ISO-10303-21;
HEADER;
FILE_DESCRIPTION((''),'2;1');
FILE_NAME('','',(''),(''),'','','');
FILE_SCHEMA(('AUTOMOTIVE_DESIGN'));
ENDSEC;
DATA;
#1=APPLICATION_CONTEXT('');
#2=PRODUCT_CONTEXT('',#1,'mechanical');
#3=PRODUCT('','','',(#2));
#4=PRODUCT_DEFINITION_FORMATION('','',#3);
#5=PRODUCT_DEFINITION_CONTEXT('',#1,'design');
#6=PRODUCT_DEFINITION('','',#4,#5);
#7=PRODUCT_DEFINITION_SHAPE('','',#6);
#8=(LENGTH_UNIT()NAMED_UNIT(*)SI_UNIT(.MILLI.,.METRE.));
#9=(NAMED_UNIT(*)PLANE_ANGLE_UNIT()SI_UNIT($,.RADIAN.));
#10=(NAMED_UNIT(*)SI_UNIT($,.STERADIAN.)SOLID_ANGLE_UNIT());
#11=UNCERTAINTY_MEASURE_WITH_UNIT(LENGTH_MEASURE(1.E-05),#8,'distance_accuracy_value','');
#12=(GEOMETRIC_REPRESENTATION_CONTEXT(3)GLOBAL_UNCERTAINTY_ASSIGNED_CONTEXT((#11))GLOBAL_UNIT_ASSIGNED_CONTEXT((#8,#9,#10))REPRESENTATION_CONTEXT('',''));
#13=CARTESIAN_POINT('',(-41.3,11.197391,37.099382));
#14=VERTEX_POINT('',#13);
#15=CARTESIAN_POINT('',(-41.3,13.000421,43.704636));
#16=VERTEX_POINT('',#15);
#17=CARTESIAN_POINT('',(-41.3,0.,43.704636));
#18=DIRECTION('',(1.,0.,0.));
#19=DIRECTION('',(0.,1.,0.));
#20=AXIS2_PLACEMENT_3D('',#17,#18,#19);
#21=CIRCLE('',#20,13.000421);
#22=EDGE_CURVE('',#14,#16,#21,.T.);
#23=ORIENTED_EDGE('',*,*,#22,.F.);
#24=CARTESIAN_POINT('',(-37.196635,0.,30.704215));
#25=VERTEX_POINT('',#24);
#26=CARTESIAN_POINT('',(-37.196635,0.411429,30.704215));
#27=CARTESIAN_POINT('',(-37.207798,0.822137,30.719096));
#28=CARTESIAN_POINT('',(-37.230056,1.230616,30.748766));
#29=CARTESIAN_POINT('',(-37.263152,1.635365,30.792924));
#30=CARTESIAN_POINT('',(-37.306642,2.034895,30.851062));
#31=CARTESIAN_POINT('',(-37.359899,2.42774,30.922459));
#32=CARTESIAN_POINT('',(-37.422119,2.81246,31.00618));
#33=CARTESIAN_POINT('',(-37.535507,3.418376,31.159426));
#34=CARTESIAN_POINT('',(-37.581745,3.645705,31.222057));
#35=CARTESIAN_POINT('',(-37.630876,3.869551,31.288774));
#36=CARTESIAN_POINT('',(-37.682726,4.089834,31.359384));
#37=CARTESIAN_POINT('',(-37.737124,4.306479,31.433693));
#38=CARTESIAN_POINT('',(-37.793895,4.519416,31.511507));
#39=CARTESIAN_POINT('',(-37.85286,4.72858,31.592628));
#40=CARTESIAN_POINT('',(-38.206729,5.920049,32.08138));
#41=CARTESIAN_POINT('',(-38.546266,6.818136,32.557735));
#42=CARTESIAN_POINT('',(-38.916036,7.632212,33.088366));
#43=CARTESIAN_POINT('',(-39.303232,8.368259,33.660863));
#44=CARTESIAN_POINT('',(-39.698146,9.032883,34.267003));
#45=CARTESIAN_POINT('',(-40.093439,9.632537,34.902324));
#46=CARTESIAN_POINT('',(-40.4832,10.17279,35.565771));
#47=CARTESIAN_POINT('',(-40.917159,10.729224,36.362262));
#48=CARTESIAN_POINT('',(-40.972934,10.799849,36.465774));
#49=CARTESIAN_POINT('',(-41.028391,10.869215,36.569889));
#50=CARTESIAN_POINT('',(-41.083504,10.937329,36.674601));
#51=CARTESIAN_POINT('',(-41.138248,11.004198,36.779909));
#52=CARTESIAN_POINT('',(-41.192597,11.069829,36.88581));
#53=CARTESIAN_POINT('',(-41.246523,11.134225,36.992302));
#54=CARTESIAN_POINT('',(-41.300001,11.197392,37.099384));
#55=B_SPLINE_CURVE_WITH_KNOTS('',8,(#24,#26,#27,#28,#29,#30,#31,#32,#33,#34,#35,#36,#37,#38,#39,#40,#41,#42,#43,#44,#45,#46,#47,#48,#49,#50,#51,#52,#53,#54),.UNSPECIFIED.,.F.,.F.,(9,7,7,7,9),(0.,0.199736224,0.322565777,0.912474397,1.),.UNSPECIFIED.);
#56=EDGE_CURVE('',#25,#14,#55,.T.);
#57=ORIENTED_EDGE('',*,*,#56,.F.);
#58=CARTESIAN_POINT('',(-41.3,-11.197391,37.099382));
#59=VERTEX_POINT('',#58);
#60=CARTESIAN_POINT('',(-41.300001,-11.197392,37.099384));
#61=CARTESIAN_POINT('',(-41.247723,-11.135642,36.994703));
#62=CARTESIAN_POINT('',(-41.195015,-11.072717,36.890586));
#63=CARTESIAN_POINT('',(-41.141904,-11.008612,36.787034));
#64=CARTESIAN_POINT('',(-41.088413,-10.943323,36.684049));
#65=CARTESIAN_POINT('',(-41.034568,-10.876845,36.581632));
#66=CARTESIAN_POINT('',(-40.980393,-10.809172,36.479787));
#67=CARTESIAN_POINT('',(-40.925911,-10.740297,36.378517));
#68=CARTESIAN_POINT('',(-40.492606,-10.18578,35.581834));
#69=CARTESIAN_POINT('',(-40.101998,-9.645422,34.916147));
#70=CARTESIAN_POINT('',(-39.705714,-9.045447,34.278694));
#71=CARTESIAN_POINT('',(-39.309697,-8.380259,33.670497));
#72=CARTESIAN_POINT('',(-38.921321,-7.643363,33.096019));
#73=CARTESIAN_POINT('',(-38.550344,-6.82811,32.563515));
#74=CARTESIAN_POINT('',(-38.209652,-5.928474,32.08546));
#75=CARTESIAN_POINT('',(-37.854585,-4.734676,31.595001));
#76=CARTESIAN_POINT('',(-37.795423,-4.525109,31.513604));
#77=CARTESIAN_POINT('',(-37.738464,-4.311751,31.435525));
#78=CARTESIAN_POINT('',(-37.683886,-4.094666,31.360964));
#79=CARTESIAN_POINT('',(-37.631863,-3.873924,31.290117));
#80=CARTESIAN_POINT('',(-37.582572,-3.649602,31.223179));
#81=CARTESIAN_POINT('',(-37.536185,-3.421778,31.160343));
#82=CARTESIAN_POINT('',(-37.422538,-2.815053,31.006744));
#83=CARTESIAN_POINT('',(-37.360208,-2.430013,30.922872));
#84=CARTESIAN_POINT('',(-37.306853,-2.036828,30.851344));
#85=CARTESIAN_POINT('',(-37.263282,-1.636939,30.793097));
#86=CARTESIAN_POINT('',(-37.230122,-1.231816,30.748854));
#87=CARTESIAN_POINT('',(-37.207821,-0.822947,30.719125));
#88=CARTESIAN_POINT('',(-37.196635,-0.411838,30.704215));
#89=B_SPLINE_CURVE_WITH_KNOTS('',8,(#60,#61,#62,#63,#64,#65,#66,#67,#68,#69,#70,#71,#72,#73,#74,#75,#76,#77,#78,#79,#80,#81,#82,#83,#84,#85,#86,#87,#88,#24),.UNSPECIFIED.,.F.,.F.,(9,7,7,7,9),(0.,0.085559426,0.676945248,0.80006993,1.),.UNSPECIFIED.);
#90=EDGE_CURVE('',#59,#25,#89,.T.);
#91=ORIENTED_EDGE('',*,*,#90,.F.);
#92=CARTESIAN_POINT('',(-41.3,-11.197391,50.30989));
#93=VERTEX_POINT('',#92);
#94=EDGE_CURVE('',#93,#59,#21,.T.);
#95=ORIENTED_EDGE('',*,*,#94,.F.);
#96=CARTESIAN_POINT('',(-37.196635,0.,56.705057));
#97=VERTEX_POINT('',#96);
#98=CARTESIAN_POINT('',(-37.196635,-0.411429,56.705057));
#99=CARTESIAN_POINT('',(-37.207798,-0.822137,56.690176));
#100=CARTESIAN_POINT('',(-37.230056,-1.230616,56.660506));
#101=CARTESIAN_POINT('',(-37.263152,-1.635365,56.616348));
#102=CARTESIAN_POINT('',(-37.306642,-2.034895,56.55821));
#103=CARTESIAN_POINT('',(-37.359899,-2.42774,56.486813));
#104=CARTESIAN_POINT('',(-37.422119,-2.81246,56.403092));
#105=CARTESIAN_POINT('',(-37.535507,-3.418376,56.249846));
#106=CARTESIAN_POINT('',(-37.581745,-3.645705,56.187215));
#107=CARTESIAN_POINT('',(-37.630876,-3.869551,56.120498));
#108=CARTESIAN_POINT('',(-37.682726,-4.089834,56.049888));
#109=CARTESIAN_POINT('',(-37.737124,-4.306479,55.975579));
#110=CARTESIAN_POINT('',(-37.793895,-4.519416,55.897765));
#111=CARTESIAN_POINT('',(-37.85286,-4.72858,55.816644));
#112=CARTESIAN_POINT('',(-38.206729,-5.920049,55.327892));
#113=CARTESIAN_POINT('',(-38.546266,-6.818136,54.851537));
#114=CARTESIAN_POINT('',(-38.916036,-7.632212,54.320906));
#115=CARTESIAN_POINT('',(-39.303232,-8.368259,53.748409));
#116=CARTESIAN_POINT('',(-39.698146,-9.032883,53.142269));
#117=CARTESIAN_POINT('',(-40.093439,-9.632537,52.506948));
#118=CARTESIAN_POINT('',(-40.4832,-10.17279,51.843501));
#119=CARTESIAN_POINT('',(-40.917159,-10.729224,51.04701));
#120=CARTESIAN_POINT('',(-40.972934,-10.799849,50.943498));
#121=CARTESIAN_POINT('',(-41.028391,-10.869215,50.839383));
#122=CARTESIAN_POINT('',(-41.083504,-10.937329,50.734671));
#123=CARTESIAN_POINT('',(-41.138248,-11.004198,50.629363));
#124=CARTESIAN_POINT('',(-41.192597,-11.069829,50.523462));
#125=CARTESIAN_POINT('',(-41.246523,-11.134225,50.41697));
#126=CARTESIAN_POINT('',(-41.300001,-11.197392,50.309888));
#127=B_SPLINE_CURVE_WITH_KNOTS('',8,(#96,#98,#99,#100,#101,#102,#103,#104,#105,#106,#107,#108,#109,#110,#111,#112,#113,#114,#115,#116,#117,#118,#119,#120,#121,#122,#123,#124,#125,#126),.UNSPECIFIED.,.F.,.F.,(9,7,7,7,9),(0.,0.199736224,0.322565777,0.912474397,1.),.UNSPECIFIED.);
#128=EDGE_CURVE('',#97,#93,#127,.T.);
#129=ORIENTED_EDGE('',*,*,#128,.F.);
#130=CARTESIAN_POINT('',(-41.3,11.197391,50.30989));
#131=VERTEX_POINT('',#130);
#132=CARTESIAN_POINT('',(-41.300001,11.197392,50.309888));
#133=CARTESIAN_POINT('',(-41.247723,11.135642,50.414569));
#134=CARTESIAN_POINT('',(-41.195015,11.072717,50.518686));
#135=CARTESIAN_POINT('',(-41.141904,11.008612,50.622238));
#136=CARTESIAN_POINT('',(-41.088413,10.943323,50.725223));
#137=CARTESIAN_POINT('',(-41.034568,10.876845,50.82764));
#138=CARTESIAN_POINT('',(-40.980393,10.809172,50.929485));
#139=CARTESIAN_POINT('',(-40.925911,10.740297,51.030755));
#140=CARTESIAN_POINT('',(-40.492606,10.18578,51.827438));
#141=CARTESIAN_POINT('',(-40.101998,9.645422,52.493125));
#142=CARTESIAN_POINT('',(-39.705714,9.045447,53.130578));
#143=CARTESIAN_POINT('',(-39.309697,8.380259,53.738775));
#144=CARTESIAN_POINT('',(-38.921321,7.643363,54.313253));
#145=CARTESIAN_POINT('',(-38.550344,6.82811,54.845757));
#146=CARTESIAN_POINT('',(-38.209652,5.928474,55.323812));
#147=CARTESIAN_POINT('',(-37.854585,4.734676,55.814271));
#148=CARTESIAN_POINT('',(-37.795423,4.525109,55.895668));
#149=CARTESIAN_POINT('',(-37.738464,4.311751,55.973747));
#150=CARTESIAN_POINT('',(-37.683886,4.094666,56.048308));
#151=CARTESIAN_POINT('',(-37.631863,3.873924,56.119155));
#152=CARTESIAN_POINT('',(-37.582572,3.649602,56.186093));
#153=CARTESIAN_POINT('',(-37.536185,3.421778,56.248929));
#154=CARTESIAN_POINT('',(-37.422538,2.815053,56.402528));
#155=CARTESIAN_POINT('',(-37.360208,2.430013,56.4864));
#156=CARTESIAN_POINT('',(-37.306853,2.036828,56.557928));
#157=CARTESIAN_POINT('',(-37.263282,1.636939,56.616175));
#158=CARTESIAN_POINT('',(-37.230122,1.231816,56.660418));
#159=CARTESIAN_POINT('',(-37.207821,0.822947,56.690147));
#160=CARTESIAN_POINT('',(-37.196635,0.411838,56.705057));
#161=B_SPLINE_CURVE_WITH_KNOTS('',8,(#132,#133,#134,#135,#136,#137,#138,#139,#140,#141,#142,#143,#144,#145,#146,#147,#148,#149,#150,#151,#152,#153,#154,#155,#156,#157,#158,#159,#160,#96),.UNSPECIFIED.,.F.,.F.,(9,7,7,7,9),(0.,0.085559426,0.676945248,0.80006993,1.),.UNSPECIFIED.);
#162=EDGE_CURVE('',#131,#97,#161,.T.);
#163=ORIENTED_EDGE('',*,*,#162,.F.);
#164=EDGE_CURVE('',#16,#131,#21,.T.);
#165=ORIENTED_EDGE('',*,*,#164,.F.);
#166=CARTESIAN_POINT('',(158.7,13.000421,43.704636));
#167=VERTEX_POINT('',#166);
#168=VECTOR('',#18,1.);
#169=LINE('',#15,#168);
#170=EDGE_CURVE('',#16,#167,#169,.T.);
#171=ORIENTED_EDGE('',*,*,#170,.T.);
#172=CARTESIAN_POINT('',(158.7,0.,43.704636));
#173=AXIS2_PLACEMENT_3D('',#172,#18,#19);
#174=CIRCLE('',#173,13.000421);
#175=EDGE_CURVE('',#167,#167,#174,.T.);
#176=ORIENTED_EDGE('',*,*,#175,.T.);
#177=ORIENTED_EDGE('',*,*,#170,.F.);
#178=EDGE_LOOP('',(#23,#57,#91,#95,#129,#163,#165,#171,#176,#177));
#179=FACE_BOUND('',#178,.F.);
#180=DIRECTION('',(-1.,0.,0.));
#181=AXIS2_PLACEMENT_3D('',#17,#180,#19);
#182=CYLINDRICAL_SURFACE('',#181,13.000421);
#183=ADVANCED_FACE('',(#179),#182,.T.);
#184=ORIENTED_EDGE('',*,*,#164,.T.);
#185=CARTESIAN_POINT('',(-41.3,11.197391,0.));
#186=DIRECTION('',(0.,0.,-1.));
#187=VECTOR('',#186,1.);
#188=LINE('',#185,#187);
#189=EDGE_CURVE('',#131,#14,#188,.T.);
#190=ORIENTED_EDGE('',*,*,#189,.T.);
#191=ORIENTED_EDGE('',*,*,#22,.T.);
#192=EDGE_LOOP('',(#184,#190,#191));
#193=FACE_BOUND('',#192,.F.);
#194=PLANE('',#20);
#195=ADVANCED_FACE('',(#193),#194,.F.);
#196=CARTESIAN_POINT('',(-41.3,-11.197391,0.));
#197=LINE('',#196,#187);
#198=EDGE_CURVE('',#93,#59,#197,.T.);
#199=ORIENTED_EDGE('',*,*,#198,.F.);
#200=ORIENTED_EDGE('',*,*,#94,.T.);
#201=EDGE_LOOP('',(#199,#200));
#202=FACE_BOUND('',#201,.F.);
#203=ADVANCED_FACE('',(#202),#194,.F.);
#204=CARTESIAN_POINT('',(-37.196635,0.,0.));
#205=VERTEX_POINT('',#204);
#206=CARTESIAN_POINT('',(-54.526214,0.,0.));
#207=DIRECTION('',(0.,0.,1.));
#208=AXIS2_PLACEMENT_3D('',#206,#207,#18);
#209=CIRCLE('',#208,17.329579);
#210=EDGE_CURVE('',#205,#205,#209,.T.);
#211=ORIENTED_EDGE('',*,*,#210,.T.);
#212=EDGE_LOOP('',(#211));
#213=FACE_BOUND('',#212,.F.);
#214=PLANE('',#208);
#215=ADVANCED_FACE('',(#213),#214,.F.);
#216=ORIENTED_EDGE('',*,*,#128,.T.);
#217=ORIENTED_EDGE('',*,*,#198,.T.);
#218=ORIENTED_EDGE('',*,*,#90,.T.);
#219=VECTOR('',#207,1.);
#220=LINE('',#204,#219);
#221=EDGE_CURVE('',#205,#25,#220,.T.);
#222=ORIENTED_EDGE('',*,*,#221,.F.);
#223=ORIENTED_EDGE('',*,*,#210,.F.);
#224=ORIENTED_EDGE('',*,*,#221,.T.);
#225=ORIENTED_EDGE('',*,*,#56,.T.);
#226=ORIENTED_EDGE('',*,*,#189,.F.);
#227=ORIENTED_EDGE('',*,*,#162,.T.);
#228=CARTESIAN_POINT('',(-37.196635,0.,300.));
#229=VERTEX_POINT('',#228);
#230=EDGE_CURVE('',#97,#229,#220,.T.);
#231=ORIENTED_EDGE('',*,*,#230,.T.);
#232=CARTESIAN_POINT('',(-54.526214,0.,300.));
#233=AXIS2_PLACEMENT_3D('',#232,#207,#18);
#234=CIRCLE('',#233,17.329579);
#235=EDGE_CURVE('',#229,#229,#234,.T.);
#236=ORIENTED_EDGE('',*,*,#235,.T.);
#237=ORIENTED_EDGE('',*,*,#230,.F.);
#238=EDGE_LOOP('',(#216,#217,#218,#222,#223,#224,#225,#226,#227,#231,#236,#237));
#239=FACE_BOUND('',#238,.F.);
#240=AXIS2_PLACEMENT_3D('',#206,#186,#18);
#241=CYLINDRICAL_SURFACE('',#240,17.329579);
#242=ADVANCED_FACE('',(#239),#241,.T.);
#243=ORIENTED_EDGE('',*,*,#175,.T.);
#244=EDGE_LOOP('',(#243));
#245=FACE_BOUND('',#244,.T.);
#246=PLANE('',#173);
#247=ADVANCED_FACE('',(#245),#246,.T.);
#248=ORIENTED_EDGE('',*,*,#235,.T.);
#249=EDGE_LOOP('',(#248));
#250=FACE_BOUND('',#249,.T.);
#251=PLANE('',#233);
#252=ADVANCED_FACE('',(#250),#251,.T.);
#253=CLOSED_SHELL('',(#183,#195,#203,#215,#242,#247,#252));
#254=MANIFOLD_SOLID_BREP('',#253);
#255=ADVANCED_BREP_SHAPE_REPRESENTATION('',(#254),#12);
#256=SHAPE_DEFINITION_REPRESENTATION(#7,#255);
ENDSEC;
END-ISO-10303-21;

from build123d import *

# Parameters (mm, degrees)
F0_R     = 17.329579
F1_DEPTH = 300
F3_R     = 13.000421
F4_DEPTH = 200


with BuildPart() as f1:
    # F0 (on Top) → F1 (new body)
    with BuildSketch(Plane.XY):
        with Locations((-54.526214, 0)):
            Circle(F0_R)
    extrude(amount=F1_DEPTH)

    # F3 (on offset) → F4 (join)
    with BuildSketch(Plane.YZ.offset(-41.3)):
        with Locations((0, 43.704636)):
            Circle(F3_R)
    extrude(amount=F4_DEPTH)


solid = f1.part
